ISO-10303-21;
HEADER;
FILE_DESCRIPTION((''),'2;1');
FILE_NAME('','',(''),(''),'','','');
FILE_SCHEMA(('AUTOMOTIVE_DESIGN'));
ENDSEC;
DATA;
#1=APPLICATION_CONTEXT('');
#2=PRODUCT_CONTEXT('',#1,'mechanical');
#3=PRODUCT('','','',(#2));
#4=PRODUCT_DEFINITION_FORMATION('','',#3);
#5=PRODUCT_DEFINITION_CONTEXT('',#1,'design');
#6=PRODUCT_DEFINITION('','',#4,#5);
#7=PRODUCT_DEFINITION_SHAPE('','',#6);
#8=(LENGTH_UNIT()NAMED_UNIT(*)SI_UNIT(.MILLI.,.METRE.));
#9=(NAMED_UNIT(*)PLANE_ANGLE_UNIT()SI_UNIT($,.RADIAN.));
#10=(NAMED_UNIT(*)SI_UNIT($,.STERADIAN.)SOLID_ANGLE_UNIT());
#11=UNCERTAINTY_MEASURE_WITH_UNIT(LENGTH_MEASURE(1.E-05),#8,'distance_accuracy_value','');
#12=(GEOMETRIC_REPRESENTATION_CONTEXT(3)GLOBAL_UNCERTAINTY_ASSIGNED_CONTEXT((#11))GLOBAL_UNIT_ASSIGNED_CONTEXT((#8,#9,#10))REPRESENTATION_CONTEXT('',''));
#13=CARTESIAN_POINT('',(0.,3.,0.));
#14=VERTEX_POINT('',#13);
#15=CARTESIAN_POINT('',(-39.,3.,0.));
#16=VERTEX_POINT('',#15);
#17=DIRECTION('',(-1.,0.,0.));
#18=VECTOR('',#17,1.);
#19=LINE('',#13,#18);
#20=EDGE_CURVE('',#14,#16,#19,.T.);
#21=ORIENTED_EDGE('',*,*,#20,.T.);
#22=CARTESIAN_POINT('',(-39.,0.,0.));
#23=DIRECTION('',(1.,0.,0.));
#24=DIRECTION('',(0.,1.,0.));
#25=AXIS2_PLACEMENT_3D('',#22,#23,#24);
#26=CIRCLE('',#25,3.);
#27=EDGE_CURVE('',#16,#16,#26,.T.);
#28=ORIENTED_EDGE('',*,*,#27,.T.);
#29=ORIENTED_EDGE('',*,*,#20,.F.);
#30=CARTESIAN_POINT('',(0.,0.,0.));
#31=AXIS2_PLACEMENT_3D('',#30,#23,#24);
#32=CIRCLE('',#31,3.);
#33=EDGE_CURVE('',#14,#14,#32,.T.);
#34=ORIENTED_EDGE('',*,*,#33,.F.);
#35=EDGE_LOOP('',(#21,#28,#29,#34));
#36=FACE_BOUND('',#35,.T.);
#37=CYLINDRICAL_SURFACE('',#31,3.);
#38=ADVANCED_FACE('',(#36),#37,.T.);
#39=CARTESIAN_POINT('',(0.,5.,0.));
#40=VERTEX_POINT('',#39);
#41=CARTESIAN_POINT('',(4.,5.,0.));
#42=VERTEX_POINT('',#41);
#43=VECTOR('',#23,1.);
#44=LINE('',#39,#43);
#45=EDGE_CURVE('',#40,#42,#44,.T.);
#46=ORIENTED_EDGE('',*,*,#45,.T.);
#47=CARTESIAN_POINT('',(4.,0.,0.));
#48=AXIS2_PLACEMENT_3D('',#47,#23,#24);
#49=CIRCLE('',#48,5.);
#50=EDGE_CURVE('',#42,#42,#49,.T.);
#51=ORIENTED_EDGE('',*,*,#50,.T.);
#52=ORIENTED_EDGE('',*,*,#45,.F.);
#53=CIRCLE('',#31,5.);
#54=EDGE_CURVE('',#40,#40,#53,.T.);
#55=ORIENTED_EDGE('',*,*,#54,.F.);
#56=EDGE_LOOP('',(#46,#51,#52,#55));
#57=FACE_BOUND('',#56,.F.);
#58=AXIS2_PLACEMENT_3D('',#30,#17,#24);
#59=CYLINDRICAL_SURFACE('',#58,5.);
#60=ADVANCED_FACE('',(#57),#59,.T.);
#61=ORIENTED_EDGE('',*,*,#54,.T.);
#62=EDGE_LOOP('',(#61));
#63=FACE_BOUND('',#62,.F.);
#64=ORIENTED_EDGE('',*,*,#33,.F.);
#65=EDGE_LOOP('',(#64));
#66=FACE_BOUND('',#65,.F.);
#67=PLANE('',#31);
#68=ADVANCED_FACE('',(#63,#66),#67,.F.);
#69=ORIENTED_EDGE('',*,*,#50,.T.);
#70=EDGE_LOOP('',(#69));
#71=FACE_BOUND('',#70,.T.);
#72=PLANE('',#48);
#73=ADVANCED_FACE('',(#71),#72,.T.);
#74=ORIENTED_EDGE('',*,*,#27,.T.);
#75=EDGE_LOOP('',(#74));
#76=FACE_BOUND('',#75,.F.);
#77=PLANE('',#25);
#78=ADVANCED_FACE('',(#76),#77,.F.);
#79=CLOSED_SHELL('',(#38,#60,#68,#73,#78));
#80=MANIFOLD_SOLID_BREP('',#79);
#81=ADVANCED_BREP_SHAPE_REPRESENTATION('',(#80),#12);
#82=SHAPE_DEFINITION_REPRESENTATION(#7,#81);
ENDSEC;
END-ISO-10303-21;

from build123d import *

# Parameters (mm, degrees)
F0_R     = 3
F1_DEPTH = 39
F0_R_2   = 5
F2_DEPTH = 4


with BuildPart() as f1:
    # F0 (on Right) → F1 (new body)
    with BuildSketch(Plane.YZ):
        Circle(F0_R)
    extrude(amount=-F1_DEPTH)

    # F0 (on Right) → F2 (join)
    with BuildSketch(Plane.YZ):
        Circle(F0_R_2)
        Circle(F0_R, mode=Mode.SUBTRACT)
        Circle(F0_R)
    extrude(amount=F2_DEPTH)


solid = f1.part
